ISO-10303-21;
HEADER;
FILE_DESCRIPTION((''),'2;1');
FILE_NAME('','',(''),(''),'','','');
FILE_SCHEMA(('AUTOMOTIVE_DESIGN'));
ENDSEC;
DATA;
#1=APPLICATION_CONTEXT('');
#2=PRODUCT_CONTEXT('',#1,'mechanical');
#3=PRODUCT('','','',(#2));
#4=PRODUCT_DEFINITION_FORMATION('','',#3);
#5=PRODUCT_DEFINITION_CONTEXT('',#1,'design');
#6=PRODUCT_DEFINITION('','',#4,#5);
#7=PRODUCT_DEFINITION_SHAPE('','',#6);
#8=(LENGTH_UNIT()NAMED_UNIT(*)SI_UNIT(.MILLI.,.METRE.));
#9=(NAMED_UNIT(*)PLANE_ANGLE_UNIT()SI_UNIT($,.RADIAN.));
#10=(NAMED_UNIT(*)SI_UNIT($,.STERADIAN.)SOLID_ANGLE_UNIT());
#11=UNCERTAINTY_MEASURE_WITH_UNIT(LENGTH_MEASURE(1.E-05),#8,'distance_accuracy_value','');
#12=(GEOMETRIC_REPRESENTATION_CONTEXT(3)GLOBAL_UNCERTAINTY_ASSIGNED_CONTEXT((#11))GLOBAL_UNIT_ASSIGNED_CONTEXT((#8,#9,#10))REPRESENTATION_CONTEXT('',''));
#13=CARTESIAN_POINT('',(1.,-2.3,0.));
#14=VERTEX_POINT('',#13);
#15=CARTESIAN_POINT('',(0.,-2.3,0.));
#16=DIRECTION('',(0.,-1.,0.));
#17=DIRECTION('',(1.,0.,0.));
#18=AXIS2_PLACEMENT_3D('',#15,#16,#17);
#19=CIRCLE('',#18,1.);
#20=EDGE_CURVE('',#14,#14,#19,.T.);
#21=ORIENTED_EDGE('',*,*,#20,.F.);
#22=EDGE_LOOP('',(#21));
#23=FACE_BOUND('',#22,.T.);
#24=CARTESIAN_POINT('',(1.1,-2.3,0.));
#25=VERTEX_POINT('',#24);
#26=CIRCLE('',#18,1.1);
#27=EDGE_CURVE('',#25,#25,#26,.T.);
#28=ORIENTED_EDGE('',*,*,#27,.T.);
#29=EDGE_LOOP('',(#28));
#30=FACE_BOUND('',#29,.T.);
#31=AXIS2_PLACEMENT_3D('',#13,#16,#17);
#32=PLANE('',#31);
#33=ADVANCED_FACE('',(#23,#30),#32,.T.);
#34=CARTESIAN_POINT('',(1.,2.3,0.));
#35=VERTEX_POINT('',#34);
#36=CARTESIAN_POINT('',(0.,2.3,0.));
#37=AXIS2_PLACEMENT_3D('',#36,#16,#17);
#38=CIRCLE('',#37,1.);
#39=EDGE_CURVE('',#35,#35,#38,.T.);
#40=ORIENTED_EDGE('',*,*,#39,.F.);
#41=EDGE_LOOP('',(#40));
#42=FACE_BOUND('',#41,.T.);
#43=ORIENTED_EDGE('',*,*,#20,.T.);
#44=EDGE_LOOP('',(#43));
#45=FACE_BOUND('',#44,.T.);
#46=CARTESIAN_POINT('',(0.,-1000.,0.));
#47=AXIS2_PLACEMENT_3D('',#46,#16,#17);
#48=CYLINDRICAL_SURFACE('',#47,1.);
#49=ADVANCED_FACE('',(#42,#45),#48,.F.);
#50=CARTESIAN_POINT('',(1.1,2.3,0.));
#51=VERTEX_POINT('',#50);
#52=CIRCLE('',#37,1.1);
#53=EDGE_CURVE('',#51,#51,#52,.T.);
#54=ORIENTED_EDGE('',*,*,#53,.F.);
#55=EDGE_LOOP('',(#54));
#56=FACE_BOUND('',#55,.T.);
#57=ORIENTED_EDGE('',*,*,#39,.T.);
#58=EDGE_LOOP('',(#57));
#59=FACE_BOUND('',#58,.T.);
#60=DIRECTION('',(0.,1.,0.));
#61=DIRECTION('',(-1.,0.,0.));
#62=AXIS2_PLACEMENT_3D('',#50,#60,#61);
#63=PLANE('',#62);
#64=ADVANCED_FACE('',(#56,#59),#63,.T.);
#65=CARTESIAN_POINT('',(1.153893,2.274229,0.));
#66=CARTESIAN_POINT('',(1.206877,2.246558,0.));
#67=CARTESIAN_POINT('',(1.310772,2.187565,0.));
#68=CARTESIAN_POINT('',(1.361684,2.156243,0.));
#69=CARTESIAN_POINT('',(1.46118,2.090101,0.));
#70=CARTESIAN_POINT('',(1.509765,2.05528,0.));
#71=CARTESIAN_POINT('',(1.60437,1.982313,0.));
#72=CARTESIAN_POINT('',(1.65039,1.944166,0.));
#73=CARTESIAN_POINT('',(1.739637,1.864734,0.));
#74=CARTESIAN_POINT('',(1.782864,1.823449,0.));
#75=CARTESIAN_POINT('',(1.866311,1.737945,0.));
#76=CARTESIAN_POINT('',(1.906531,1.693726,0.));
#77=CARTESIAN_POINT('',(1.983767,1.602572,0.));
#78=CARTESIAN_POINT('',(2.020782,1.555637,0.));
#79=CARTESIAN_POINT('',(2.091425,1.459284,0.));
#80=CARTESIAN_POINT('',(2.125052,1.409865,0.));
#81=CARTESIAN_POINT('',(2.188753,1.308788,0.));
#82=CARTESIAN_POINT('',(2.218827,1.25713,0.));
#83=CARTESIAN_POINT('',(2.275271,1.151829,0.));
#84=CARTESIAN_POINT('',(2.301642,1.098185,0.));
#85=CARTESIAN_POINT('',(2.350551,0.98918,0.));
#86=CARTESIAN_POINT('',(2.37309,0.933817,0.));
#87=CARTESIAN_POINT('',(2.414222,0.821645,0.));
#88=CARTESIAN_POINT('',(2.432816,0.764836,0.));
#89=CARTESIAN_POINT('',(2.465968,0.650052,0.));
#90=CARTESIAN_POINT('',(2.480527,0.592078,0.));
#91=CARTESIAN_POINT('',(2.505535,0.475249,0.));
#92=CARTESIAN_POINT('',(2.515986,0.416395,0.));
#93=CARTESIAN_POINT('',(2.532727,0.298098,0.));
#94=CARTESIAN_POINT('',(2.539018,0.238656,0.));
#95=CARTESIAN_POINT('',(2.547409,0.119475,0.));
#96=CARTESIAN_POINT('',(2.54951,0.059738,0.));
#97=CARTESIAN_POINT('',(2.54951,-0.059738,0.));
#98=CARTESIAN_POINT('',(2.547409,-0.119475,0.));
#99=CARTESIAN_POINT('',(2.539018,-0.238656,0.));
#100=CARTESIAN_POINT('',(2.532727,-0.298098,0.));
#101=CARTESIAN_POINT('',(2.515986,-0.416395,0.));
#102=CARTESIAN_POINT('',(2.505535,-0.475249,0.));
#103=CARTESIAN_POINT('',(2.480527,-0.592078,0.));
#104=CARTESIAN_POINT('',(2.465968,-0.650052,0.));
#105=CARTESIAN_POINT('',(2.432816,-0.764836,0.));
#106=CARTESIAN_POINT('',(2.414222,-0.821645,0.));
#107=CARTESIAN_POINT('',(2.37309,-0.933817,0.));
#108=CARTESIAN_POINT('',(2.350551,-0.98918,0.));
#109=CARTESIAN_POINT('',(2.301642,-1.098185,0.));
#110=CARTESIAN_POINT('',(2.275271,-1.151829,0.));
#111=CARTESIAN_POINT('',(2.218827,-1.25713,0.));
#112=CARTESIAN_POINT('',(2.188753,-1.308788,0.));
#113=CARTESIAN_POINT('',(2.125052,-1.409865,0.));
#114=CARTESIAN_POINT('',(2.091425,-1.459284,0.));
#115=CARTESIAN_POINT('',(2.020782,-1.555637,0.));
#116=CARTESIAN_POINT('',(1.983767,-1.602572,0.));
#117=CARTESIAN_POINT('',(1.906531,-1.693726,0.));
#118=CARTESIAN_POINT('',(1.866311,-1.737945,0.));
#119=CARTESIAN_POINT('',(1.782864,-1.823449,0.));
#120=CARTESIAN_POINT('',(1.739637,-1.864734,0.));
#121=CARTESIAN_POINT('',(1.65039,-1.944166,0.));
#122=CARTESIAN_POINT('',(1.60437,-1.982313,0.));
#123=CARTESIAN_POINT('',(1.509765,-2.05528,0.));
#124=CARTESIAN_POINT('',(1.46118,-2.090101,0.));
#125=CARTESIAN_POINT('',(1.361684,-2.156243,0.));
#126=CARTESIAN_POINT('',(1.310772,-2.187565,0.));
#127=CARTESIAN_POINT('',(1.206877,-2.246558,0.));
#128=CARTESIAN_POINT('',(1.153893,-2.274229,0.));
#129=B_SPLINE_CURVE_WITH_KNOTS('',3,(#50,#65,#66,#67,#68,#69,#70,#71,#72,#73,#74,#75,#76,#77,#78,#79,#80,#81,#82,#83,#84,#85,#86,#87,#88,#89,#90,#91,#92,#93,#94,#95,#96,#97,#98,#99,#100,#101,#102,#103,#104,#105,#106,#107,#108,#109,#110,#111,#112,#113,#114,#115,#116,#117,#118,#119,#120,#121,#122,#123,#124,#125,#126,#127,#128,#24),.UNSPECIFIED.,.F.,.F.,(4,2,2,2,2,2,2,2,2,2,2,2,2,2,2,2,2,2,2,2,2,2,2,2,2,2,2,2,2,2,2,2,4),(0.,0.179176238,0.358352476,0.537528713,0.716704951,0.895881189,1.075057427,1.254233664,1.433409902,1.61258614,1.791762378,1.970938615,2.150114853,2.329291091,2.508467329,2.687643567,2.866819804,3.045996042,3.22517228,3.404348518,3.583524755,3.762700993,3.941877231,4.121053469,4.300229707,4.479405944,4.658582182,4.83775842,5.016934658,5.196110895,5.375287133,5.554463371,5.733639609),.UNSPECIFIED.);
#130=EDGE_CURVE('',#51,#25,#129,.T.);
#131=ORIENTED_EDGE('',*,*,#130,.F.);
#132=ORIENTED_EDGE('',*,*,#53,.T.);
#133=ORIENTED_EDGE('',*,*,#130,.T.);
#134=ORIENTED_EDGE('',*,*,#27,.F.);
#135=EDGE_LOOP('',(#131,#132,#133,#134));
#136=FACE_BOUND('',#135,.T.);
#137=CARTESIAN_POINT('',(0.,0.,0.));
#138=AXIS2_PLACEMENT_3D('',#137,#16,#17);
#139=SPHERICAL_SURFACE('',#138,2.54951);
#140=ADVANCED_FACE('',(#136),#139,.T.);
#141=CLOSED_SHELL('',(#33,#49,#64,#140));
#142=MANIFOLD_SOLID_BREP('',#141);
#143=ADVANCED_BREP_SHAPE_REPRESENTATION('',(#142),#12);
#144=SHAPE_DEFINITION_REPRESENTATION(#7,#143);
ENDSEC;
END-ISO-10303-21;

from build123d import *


with BuildPart() as part:
    # Sketch1 → Revolve1 (revolve)
    with BuildSketch(Plane.XY):
        with BuildLine():
            Line((1.1, 2.3), (1, 2.3))
            Line((1, 2.3), (1, -2.3))
            Line((1, -2.3), (1.1, -2.3))
            ThreePointArc((1.1, -2.3), (2.549509757, 0), (1.1, 2.3))
        make_face()
    revolve(axis=Axis((0, -1000, 0), (0, 1, 0)))


solid = part.part
